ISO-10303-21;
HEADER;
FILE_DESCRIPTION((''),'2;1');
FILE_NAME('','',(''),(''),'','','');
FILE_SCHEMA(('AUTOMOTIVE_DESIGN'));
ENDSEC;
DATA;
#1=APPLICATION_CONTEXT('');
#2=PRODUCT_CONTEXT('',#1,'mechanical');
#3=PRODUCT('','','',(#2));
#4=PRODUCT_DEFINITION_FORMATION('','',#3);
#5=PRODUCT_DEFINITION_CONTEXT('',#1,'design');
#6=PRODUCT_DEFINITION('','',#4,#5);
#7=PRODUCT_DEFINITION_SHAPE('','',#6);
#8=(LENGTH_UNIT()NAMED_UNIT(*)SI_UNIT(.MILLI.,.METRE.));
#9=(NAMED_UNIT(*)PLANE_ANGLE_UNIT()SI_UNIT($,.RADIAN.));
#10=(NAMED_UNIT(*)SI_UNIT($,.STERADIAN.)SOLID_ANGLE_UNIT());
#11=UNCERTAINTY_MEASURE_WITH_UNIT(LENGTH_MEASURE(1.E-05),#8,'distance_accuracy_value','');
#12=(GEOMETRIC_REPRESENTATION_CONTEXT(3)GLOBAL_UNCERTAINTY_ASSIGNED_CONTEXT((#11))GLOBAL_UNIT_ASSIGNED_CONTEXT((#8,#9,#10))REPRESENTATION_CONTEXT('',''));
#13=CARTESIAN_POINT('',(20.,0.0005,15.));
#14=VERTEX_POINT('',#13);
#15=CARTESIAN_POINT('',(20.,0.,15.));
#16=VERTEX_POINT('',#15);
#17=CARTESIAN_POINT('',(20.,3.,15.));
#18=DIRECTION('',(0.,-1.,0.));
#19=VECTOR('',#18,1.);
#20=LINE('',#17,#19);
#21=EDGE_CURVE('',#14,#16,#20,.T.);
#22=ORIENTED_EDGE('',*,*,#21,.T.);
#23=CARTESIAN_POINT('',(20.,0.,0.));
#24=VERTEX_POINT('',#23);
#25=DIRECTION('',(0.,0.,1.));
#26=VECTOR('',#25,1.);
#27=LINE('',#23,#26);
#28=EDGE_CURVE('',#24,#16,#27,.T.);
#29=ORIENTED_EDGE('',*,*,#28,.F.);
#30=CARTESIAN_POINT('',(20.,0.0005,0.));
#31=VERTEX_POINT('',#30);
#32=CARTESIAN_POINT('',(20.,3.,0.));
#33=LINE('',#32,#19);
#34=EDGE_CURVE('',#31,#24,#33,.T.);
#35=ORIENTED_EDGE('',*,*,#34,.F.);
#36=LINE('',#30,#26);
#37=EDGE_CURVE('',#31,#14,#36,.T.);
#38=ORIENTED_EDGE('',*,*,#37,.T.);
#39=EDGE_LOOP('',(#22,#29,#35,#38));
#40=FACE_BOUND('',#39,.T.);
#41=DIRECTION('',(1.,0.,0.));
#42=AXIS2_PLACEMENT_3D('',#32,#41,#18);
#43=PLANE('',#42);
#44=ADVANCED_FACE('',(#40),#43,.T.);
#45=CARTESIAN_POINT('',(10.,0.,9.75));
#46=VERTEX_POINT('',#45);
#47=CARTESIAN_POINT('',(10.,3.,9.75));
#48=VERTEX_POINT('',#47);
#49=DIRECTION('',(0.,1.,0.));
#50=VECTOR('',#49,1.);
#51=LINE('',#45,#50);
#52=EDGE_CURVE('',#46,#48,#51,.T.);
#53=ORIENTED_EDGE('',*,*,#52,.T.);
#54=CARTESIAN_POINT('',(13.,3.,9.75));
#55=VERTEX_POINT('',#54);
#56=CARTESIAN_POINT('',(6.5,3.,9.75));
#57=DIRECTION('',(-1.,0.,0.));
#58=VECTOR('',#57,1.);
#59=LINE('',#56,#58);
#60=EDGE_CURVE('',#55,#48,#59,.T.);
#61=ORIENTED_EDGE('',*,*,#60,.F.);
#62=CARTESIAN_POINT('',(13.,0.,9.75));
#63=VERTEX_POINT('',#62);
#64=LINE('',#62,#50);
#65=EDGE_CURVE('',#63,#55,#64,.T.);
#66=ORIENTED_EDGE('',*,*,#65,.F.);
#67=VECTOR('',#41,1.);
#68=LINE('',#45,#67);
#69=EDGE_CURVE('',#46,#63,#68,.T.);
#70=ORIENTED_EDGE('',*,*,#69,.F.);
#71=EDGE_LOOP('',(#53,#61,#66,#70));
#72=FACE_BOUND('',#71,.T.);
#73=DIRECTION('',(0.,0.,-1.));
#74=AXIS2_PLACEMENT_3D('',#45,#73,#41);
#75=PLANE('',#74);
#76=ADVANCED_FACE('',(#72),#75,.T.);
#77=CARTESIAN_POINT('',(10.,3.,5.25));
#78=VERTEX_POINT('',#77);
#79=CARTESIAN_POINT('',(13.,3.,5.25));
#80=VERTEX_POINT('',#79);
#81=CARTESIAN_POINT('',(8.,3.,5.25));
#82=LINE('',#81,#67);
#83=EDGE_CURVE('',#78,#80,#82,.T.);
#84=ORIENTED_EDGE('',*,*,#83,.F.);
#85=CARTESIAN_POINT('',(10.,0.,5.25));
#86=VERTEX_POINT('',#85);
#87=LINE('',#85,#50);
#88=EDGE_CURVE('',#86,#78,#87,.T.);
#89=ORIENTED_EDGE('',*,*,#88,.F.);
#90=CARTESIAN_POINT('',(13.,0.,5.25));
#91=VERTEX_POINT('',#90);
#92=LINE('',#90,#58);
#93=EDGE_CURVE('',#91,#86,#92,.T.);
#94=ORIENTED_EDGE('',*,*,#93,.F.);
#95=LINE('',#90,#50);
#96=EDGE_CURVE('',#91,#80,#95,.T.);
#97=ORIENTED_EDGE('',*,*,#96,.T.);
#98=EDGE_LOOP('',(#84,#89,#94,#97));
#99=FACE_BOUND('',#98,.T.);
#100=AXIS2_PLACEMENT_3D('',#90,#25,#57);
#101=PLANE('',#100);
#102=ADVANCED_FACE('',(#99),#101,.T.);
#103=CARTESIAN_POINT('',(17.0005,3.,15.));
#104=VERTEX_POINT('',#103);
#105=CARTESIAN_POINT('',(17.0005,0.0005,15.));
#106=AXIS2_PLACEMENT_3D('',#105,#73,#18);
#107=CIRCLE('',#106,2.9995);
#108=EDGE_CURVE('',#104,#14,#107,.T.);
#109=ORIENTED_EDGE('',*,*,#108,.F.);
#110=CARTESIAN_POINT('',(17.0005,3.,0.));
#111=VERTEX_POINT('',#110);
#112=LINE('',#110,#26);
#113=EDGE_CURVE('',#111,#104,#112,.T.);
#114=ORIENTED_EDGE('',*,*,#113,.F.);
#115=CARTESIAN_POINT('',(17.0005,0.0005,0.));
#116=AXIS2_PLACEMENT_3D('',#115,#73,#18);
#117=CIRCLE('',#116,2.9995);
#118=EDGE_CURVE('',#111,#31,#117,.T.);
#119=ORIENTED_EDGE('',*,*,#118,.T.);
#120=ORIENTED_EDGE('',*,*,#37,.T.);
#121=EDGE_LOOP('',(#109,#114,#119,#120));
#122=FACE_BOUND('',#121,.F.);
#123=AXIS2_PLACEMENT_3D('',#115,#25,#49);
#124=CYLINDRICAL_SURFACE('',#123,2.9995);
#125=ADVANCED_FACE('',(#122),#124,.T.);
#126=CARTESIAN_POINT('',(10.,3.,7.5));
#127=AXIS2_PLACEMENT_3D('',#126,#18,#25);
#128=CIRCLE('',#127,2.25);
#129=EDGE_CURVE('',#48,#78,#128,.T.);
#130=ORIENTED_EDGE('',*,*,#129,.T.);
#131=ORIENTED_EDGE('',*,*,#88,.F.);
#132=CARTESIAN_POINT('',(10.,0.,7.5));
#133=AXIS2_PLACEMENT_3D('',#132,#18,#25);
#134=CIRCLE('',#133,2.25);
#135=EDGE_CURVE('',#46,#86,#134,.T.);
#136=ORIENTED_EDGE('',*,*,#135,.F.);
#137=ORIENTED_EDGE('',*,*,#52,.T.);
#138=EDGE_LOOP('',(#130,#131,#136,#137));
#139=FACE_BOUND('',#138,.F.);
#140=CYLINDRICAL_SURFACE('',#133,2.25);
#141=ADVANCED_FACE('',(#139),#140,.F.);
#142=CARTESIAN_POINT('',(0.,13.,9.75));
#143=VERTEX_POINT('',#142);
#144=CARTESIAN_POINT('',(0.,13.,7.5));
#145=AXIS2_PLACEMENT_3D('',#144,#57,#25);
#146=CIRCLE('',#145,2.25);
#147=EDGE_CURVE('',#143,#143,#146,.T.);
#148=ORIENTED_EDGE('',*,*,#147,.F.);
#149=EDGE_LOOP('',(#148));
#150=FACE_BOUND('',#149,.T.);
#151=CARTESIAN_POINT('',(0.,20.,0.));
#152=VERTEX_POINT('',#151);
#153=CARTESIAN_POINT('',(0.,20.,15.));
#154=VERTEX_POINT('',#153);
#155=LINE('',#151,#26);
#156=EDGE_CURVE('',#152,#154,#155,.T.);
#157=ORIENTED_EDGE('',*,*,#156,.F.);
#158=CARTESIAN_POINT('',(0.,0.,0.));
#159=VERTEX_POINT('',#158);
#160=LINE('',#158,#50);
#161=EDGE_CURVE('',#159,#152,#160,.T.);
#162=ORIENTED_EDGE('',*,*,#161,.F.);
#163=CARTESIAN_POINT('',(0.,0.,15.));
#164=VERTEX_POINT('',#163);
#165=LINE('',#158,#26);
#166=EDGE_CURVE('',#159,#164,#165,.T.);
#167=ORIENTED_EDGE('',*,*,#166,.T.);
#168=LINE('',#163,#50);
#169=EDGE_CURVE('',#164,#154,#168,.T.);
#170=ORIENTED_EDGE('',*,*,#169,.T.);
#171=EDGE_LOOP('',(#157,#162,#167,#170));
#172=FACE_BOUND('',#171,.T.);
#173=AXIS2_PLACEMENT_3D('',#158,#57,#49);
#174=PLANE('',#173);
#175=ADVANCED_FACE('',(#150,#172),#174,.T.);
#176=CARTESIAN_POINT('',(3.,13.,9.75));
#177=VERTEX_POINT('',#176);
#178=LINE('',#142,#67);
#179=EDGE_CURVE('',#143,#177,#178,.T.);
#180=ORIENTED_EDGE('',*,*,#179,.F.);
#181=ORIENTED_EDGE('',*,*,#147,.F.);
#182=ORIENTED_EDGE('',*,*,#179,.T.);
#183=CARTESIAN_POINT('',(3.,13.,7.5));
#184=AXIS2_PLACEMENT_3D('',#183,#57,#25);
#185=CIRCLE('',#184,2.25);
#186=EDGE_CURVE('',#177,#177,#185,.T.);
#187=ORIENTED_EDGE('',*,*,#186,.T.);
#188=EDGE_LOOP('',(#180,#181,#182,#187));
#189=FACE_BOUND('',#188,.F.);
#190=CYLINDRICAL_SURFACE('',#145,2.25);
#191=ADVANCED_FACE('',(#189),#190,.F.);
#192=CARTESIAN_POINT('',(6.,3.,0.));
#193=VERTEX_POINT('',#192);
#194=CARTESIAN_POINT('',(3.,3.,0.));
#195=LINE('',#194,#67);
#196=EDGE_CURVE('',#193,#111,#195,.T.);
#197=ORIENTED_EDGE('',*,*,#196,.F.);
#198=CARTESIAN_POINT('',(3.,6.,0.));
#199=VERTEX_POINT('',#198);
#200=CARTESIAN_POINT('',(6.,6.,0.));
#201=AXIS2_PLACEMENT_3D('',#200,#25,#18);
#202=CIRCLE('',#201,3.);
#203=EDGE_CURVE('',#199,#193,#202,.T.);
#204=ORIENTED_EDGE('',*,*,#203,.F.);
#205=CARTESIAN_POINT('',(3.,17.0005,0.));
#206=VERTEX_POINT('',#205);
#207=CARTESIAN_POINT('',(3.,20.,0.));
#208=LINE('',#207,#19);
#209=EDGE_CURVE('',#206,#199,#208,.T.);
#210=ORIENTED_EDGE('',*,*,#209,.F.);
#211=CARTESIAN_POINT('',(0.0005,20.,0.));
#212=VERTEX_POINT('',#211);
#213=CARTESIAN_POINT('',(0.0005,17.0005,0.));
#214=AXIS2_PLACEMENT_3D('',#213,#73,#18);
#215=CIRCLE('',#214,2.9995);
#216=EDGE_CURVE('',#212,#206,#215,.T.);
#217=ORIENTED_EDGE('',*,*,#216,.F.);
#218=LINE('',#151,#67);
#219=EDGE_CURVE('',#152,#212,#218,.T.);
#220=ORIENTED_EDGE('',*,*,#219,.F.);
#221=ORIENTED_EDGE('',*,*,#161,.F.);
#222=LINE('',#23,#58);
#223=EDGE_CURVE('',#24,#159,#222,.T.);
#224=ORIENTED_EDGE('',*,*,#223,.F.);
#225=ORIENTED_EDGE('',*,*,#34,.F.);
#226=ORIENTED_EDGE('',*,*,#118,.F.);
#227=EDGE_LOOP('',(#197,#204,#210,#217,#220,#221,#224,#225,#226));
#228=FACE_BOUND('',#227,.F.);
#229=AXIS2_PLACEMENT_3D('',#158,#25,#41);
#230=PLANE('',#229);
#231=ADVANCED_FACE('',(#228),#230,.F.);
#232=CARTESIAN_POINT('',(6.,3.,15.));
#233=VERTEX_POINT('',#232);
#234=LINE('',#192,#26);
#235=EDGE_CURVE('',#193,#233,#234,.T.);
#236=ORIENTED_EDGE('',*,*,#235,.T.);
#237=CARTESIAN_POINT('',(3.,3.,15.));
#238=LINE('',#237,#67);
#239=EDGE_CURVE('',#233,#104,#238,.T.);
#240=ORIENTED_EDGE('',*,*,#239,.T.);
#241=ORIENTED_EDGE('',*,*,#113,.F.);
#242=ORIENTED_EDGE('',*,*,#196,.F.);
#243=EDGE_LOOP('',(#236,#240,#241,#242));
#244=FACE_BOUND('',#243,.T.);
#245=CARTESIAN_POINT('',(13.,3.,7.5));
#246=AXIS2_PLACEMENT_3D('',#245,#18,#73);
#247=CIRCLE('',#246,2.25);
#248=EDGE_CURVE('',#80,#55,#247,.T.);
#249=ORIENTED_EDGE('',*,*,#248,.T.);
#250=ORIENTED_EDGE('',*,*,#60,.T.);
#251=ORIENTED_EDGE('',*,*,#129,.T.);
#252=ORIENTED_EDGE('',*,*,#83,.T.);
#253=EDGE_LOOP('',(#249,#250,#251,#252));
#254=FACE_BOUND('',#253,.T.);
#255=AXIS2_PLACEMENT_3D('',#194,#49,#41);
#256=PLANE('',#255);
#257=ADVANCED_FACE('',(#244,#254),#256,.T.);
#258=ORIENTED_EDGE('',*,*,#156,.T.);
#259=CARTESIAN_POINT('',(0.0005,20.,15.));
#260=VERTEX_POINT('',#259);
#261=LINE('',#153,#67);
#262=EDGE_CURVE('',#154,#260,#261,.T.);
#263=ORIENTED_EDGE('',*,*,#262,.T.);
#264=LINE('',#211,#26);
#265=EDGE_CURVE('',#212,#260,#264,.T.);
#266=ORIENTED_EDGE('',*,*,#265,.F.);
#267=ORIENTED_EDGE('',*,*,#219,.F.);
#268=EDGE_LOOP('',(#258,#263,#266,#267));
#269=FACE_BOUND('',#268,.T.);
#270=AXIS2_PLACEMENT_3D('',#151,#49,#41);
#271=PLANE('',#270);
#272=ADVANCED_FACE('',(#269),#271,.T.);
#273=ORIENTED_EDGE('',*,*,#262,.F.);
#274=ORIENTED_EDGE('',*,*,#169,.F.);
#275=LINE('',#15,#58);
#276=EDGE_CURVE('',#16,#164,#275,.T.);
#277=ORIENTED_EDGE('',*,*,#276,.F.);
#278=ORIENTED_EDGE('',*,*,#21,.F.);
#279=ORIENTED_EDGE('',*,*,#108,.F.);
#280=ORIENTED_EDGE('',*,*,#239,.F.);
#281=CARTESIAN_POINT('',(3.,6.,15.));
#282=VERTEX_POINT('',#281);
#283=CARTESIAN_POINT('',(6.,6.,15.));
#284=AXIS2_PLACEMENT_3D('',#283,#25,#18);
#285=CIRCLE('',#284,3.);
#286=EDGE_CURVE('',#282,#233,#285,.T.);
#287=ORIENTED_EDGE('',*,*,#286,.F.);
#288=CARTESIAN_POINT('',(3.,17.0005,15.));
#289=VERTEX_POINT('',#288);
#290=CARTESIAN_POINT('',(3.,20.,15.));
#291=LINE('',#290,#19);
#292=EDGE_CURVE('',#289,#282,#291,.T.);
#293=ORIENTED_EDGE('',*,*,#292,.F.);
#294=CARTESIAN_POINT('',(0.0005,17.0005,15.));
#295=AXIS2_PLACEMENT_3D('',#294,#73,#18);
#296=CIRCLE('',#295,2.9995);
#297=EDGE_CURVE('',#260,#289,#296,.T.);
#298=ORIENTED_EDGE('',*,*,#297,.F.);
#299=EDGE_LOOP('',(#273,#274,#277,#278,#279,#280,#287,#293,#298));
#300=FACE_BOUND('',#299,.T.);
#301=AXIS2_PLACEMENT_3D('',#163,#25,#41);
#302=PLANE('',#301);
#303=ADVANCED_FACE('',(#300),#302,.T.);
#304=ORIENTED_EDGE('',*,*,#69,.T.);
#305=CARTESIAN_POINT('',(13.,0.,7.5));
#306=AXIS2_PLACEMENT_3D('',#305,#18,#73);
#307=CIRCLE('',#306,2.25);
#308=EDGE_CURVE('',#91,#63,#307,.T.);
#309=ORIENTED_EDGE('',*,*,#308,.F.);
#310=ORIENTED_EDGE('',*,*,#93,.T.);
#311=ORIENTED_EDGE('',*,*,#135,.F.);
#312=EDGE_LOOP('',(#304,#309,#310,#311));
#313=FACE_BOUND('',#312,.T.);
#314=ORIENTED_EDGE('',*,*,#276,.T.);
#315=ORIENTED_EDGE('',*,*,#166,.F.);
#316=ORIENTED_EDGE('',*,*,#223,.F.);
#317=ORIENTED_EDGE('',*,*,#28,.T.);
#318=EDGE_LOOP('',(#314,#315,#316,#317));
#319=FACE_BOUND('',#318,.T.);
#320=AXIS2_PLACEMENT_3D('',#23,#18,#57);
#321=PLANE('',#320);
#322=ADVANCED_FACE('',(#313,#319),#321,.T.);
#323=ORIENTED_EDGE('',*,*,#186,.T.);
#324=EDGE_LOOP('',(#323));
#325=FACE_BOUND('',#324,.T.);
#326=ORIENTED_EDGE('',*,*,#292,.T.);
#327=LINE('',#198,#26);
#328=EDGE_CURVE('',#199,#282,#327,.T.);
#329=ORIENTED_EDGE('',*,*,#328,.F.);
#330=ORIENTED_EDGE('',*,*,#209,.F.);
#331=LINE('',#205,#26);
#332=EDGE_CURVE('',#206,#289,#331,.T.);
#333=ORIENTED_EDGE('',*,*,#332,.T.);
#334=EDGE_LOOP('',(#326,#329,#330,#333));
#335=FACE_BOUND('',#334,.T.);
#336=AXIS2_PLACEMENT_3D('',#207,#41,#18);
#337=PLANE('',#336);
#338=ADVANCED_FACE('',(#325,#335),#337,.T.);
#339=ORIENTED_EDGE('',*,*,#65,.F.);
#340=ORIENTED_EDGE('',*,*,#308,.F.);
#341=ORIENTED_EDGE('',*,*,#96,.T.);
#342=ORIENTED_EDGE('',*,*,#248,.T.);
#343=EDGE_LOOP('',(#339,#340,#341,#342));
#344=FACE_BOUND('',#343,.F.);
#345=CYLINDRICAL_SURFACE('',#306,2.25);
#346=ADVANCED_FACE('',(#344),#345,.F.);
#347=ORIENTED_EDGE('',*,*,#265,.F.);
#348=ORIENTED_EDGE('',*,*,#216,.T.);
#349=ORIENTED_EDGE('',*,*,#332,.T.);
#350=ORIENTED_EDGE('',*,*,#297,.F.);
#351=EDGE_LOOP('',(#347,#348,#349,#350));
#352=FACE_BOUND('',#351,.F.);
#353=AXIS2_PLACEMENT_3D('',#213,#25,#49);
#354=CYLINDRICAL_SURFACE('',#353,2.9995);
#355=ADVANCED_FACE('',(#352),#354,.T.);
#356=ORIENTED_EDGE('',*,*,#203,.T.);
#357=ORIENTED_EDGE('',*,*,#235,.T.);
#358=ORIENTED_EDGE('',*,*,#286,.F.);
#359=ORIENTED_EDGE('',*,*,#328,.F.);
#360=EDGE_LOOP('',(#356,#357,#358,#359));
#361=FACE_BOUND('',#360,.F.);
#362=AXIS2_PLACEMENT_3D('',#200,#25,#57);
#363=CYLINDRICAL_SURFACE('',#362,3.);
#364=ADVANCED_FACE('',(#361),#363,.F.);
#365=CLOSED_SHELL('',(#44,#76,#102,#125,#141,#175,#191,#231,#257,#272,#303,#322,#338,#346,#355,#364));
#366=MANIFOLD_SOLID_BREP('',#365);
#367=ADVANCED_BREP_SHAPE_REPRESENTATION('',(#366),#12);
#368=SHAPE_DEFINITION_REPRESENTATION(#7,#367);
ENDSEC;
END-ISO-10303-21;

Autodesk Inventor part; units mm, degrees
ref_plane "YZ Plane" through (0, 0, 0) normal (1, 0, 0) x (0, 1, 0)
ref_plane "XZ Plane" through (0, 0, 0) normal (0, 1, 0) x (-1, 0, 0)
ref_plane "XY Plane" through (0, 0, 0) normal (0, 0, 1) x (1, 0, 0)
sketch "スケッチ1" plane through (0, 0, 0) normal (0, 0, 1) x (1, 0, 0)
  line L0 (0, 0) -> (0, 20)
  line L1 (0, 20) -> (3, 20)
  line L2 (3, 20) -> (3, 3)
  line L3 (3, 3) -> (20, 3)
  line L4 (20, 3) -> (20, 0)
  line L5 (20, 0) -> (0, 0)
  dimension "d0" = 3
  dimension "d1" = 3
  dimension "d2" = 20
  dimension "d3" = 20
extrude "押し出し1" add sketch "スケッチ1" along normal blind 15
fillet "フィレット1" radius 3 2 edges at (3, 20, 7.5) (20, 3, 7.5)
sketch "スケッチ2" plane through (0, 0, 0) normal (-1, 0, 0) x (0, 0, 1)
  line L0 (0, 0) -> (0, 20) construction
  line L1 (0, 0) -> (15, 0) construction
  line L2 (15, 20) -> (15, 0) construction
  line L3 (0, 20) -> (15, 20) construction
  circle A0 centre (7.5, 13) radius 2.25
  dimension "d7" = 13
  dimension "d8" = 4.5
  dimension "d9" = 7.5
extrude "押し出し2" cut sketch "スケッチ2" against normal through all
sketch "スケッチ3" plane through (0, 0, 0) normal (0, -1, 0) x (1, 0, 0)
  arc A0 (10, 9.75) -> (10, 5.25) centre (10, 7.5) ccw
  line L0 (10, 7.5) -> (10, 9.75) construction
  line L1 (10, 7.5) -> (12.25, 7.5) construction
  line L2 (10, 7.5) -> (10, 5.25) construction
  arc A1 (13, 5.25) -> (13, 9.75) centre (13, 7.5) ccw
  line L3 (13, 7.5) -> (13, 9.75) construction
  line L4 (13, 7.5) -> (15.25, 7.5) construction
  line L5 (13, 7.5) -> (13, 5.25) construction
  line L6 (10, 9.75) -> (13, 9.75)
  line L7 (0, 15) -> (20, 15) projected
  line L8 (13, 5.25) -> (10, 5.25)
  line L9 (0, 0) -> (0, 15) projected
  dimension "d12" = 90
  dimension "d13" = 180
  dimension "d14" = 90
  dimension "d15" = 180
  dimension "d16" = 7.5
  dimension "d17" = 3
  dimension "d18" = 10
  dimension "d19" = 2.25
extrude "押し出し3" cut sketch "スケッチ3" against normal through all
fillet "フィレット2" radius 3 1 edges at (3, 3, 7.5)
properties part number "M4L"
